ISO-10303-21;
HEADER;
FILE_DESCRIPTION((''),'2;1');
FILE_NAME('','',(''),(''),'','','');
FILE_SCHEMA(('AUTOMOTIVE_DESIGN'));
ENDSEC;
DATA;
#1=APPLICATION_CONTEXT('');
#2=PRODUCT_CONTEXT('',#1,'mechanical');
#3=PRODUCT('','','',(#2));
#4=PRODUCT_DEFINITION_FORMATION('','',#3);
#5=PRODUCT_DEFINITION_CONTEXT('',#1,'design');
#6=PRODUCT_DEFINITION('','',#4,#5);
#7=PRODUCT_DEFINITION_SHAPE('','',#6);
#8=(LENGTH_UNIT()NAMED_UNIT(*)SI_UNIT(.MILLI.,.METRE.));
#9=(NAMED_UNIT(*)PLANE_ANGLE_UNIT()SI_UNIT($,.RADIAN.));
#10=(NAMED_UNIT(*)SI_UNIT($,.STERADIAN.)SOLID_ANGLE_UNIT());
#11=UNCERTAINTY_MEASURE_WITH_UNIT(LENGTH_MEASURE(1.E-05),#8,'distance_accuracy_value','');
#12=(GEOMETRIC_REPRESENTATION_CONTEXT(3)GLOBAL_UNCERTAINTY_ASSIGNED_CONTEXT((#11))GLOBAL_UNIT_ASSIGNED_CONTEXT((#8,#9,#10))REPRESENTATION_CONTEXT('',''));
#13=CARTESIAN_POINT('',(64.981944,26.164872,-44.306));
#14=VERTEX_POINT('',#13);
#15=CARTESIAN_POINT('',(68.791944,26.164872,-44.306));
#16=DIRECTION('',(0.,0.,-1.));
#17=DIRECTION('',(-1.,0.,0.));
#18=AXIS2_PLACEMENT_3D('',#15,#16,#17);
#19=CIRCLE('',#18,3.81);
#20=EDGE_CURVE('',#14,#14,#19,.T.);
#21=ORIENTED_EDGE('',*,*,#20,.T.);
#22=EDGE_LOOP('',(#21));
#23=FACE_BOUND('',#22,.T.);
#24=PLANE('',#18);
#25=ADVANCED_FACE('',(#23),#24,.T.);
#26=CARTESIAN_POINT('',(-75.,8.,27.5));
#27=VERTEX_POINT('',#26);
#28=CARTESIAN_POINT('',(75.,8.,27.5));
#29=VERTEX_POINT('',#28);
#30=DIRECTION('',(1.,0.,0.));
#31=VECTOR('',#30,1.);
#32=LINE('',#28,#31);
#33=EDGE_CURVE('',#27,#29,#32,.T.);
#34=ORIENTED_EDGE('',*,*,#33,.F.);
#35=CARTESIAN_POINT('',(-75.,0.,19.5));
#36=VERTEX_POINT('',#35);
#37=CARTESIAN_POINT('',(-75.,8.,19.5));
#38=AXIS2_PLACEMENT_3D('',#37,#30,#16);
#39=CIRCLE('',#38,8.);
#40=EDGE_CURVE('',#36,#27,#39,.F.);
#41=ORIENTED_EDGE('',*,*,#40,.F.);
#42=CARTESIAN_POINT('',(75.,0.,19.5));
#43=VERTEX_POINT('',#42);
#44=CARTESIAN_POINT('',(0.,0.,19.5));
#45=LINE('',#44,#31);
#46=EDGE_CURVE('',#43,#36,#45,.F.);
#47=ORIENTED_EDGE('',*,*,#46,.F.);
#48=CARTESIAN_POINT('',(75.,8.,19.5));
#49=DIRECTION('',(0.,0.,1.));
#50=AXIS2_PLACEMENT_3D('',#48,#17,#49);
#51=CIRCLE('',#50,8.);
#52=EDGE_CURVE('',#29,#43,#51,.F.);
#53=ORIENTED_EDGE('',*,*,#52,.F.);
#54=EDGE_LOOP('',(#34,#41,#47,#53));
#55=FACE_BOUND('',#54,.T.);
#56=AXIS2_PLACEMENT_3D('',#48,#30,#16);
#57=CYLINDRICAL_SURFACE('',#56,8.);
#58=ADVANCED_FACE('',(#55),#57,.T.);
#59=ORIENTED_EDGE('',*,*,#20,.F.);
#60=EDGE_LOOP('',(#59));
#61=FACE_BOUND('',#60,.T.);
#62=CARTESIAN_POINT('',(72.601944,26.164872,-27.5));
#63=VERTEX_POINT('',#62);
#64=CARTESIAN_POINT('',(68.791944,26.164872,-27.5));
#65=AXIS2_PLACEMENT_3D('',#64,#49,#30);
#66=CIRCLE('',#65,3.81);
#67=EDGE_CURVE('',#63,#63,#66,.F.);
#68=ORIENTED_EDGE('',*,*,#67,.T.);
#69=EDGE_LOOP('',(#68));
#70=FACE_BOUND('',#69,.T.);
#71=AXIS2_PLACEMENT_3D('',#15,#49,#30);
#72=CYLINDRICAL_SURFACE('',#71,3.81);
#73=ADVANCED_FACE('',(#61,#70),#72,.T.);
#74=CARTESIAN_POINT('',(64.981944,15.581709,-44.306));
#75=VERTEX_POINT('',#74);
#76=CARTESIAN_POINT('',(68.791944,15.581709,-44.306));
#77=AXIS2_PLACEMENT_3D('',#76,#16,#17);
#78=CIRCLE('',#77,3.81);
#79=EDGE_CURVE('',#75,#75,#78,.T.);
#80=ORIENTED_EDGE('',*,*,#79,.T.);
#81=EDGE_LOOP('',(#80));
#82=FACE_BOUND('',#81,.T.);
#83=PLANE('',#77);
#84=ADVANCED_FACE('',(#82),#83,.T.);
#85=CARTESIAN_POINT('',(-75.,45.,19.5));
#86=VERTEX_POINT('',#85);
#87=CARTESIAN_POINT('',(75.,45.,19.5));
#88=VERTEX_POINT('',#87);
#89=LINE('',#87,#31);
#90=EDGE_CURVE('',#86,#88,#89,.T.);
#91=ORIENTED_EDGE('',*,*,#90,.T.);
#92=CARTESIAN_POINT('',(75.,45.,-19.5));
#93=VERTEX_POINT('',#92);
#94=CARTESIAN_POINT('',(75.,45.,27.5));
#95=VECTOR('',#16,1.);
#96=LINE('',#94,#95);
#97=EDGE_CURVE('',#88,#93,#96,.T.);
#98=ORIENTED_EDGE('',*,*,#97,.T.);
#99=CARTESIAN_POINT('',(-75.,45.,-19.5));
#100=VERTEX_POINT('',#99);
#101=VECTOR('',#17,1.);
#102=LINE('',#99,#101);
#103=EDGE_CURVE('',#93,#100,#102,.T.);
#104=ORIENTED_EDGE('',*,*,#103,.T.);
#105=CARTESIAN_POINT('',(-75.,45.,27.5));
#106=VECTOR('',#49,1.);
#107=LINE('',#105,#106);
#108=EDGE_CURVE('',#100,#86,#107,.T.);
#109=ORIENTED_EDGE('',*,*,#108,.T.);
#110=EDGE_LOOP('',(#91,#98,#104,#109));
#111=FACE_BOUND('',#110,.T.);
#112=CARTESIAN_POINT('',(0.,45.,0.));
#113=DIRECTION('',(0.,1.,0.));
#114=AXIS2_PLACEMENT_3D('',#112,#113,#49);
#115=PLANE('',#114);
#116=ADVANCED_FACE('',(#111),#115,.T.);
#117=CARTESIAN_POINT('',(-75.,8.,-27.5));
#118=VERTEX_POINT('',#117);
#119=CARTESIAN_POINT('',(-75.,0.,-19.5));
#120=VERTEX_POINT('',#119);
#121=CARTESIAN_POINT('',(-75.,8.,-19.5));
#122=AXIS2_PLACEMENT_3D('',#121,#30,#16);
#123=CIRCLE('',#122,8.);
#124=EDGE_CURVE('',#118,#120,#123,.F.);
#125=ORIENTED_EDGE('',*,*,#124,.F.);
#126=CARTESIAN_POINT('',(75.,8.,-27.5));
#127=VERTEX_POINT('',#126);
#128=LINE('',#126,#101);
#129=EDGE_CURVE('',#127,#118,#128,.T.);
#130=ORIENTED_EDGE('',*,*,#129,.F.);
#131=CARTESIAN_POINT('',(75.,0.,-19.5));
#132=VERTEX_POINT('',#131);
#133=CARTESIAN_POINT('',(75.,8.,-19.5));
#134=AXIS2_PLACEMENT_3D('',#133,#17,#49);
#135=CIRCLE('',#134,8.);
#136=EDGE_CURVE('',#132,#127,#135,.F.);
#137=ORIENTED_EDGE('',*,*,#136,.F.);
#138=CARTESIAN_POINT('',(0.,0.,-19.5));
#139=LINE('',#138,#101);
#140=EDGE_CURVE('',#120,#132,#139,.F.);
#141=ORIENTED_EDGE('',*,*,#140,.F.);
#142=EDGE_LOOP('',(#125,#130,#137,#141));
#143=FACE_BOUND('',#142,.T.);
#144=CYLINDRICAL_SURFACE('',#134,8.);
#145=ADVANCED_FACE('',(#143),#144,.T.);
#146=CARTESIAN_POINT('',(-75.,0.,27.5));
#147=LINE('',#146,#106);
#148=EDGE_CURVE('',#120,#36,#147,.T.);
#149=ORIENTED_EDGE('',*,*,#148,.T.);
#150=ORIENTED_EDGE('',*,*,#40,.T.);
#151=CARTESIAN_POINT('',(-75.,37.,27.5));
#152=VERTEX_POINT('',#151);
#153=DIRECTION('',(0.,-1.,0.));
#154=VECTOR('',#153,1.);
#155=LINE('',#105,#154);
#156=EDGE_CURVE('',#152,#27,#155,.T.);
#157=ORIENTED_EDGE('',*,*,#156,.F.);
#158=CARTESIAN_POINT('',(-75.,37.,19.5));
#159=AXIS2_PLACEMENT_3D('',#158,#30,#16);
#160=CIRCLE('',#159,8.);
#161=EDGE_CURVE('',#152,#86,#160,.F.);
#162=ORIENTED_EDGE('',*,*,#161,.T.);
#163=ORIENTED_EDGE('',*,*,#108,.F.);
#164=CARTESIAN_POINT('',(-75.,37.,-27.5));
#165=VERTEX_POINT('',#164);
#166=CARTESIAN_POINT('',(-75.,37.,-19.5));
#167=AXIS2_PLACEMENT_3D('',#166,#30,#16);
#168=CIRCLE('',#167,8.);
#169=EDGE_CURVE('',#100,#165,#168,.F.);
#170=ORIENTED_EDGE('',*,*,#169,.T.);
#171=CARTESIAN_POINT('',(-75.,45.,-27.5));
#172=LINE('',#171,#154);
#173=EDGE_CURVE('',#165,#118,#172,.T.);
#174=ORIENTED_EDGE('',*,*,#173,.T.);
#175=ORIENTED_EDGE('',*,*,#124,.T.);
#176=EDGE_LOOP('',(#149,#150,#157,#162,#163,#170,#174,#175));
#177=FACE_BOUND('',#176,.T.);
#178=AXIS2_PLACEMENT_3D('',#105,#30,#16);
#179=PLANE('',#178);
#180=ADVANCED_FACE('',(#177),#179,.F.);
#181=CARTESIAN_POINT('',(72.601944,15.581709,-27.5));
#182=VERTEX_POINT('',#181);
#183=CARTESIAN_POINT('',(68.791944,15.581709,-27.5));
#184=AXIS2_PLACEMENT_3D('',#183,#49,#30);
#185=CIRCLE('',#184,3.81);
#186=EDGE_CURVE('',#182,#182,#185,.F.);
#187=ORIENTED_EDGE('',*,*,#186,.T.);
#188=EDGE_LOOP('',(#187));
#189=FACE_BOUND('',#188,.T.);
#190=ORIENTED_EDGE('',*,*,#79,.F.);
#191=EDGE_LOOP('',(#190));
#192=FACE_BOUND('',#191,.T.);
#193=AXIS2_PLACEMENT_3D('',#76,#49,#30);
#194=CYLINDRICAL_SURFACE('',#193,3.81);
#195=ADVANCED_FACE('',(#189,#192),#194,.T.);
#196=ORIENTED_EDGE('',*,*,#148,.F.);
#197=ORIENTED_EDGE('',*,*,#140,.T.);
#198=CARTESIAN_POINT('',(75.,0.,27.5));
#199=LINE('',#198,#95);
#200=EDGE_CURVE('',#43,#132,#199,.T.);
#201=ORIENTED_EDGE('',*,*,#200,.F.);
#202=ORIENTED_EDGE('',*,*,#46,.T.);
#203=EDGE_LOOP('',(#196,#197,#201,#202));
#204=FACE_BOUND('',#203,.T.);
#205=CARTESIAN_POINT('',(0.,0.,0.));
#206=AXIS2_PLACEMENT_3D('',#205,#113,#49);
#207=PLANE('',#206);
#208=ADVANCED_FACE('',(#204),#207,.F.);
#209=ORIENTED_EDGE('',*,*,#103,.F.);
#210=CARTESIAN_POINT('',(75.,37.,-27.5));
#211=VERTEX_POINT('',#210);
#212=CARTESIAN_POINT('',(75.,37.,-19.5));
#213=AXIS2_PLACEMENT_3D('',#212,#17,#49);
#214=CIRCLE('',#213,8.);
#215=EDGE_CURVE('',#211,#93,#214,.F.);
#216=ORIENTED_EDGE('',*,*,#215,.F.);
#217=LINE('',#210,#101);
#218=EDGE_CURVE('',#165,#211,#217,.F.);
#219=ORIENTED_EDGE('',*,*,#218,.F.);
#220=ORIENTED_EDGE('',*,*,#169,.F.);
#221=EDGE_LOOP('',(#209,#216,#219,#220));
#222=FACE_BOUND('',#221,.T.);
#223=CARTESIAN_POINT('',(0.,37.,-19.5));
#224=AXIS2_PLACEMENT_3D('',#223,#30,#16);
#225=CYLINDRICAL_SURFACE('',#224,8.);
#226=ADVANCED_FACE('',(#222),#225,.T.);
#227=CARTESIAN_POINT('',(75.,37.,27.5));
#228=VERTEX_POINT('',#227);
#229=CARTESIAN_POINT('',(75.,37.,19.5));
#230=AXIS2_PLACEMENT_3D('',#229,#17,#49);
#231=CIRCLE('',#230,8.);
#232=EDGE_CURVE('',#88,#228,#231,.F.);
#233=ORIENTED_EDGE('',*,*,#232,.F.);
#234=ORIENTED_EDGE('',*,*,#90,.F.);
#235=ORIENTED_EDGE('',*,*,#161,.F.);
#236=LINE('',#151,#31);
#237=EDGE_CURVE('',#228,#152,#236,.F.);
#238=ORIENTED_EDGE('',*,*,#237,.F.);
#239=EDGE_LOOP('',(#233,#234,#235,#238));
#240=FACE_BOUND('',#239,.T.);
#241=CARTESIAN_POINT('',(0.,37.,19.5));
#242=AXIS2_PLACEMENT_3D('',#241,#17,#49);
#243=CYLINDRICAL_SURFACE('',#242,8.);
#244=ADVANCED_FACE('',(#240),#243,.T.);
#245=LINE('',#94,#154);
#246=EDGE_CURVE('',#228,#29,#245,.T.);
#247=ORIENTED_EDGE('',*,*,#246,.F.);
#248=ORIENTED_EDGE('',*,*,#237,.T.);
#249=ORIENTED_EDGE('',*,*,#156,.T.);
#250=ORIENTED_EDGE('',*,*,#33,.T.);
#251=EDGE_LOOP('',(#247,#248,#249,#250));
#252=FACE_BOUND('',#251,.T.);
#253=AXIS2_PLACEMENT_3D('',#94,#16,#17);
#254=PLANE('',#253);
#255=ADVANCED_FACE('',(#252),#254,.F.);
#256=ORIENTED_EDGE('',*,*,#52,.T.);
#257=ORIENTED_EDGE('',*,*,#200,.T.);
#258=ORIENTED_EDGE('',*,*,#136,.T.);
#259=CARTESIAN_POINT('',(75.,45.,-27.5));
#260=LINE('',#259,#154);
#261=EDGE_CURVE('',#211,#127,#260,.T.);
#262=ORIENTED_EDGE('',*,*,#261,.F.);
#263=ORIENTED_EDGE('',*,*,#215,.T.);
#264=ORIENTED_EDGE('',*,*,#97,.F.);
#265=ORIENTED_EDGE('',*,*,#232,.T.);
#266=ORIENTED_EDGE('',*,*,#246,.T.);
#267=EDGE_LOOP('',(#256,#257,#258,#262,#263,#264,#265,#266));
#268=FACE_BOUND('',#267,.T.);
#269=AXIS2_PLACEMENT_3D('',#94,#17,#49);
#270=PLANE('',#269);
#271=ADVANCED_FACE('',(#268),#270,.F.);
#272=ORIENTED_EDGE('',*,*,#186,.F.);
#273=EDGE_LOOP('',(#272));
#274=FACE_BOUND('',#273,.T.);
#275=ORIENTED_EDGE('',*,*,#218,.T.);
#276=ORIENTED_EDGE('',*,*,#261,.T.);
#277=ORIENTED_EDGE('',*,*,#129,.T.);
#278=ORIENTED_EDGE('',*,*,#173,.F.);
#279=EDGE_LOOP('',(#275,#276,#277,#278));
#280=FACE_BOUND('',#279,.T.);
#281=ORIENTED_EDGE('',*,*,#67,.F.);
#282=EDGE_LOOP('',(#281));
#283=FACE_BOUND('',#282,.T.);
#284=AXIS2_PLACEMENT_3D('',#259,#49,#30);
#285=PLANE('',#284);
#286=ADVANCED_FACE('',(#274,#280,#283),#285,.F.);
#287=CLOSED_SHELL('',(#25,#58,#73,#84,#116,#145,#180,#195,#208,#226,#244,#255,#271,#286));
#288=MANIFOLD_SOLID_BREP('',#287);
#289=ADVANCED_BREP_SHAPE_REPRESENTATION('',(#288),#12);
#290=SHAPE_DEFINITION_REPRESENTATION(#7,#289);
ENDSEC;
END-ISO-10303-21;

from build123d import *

# Parameters (mm, degrees)
ESBO_O1_W                = 150
ESBO_O1_H                = 55
RESSALTO_EXTRUS_O1_DEPTH = 45
FILETE1_R                = 8
ESBO_O2_R                = 3.81
RESSALTO_EXTRUS_O2_DEPTH = 16.806
ESBO_O4_R                = 3.81
RESSALTO_EXTRUS_O3_DEPTH = 16.806


with BuildPart() as part:
    # Esboço1 → Ressalto-extrusão1 (new body)
    with BuildSketch(Plane(origin=(0, 0, 0), x_dir=(1, 0, 0), z_dir=(0, 1, 0))):
        Rectangle(ESBO_O1_W, ESBO_O1_H)
    extrude(amount=RESSALTO_EXTRUS_O1_DEPTH)

    # Filete1
    filete1_edges = [part.edges().sort_by_distance(p)[0] for p in [
        (0, 45, -27.5),
        (0, 0, -27.5),
        (0, 0, 27.5),
        (0, 45, 27.5),
    ]]
    fillet(filete1_edges, radius=FILETE1_R)

    # Esboço2 → Ressalto-extrusão2 (add)
    with BuildSketch(Plane(origin=(0, 0, -27.5), x_dir=(-1, 0, 0), z_dir=(0, 0, -1))):
        with Locations(Location((-68.791943754, 15.581709397, 0), (0, 0, 180))):
            Circle(ESBO_O2_R)
    extrude(amount=RESSALTO_EXTRUS_O2_DEPTH)

    # Esboço4 → Ressalto-extrusão3 (add)
    with BuildSketch(Plane(origin=(0, 0, -27.5), x_dir=(-1, 0, 0), z_dir=(0, 0, -1))):
        with Locations(Location((-68.791943754, 26.164871882, 0), (0, 0, 180))):
            Circle(ESBO_O4_R)
    extrude(amount=RESSALTO_EXTRUS_O3_DEPTH)


solid = part.part
